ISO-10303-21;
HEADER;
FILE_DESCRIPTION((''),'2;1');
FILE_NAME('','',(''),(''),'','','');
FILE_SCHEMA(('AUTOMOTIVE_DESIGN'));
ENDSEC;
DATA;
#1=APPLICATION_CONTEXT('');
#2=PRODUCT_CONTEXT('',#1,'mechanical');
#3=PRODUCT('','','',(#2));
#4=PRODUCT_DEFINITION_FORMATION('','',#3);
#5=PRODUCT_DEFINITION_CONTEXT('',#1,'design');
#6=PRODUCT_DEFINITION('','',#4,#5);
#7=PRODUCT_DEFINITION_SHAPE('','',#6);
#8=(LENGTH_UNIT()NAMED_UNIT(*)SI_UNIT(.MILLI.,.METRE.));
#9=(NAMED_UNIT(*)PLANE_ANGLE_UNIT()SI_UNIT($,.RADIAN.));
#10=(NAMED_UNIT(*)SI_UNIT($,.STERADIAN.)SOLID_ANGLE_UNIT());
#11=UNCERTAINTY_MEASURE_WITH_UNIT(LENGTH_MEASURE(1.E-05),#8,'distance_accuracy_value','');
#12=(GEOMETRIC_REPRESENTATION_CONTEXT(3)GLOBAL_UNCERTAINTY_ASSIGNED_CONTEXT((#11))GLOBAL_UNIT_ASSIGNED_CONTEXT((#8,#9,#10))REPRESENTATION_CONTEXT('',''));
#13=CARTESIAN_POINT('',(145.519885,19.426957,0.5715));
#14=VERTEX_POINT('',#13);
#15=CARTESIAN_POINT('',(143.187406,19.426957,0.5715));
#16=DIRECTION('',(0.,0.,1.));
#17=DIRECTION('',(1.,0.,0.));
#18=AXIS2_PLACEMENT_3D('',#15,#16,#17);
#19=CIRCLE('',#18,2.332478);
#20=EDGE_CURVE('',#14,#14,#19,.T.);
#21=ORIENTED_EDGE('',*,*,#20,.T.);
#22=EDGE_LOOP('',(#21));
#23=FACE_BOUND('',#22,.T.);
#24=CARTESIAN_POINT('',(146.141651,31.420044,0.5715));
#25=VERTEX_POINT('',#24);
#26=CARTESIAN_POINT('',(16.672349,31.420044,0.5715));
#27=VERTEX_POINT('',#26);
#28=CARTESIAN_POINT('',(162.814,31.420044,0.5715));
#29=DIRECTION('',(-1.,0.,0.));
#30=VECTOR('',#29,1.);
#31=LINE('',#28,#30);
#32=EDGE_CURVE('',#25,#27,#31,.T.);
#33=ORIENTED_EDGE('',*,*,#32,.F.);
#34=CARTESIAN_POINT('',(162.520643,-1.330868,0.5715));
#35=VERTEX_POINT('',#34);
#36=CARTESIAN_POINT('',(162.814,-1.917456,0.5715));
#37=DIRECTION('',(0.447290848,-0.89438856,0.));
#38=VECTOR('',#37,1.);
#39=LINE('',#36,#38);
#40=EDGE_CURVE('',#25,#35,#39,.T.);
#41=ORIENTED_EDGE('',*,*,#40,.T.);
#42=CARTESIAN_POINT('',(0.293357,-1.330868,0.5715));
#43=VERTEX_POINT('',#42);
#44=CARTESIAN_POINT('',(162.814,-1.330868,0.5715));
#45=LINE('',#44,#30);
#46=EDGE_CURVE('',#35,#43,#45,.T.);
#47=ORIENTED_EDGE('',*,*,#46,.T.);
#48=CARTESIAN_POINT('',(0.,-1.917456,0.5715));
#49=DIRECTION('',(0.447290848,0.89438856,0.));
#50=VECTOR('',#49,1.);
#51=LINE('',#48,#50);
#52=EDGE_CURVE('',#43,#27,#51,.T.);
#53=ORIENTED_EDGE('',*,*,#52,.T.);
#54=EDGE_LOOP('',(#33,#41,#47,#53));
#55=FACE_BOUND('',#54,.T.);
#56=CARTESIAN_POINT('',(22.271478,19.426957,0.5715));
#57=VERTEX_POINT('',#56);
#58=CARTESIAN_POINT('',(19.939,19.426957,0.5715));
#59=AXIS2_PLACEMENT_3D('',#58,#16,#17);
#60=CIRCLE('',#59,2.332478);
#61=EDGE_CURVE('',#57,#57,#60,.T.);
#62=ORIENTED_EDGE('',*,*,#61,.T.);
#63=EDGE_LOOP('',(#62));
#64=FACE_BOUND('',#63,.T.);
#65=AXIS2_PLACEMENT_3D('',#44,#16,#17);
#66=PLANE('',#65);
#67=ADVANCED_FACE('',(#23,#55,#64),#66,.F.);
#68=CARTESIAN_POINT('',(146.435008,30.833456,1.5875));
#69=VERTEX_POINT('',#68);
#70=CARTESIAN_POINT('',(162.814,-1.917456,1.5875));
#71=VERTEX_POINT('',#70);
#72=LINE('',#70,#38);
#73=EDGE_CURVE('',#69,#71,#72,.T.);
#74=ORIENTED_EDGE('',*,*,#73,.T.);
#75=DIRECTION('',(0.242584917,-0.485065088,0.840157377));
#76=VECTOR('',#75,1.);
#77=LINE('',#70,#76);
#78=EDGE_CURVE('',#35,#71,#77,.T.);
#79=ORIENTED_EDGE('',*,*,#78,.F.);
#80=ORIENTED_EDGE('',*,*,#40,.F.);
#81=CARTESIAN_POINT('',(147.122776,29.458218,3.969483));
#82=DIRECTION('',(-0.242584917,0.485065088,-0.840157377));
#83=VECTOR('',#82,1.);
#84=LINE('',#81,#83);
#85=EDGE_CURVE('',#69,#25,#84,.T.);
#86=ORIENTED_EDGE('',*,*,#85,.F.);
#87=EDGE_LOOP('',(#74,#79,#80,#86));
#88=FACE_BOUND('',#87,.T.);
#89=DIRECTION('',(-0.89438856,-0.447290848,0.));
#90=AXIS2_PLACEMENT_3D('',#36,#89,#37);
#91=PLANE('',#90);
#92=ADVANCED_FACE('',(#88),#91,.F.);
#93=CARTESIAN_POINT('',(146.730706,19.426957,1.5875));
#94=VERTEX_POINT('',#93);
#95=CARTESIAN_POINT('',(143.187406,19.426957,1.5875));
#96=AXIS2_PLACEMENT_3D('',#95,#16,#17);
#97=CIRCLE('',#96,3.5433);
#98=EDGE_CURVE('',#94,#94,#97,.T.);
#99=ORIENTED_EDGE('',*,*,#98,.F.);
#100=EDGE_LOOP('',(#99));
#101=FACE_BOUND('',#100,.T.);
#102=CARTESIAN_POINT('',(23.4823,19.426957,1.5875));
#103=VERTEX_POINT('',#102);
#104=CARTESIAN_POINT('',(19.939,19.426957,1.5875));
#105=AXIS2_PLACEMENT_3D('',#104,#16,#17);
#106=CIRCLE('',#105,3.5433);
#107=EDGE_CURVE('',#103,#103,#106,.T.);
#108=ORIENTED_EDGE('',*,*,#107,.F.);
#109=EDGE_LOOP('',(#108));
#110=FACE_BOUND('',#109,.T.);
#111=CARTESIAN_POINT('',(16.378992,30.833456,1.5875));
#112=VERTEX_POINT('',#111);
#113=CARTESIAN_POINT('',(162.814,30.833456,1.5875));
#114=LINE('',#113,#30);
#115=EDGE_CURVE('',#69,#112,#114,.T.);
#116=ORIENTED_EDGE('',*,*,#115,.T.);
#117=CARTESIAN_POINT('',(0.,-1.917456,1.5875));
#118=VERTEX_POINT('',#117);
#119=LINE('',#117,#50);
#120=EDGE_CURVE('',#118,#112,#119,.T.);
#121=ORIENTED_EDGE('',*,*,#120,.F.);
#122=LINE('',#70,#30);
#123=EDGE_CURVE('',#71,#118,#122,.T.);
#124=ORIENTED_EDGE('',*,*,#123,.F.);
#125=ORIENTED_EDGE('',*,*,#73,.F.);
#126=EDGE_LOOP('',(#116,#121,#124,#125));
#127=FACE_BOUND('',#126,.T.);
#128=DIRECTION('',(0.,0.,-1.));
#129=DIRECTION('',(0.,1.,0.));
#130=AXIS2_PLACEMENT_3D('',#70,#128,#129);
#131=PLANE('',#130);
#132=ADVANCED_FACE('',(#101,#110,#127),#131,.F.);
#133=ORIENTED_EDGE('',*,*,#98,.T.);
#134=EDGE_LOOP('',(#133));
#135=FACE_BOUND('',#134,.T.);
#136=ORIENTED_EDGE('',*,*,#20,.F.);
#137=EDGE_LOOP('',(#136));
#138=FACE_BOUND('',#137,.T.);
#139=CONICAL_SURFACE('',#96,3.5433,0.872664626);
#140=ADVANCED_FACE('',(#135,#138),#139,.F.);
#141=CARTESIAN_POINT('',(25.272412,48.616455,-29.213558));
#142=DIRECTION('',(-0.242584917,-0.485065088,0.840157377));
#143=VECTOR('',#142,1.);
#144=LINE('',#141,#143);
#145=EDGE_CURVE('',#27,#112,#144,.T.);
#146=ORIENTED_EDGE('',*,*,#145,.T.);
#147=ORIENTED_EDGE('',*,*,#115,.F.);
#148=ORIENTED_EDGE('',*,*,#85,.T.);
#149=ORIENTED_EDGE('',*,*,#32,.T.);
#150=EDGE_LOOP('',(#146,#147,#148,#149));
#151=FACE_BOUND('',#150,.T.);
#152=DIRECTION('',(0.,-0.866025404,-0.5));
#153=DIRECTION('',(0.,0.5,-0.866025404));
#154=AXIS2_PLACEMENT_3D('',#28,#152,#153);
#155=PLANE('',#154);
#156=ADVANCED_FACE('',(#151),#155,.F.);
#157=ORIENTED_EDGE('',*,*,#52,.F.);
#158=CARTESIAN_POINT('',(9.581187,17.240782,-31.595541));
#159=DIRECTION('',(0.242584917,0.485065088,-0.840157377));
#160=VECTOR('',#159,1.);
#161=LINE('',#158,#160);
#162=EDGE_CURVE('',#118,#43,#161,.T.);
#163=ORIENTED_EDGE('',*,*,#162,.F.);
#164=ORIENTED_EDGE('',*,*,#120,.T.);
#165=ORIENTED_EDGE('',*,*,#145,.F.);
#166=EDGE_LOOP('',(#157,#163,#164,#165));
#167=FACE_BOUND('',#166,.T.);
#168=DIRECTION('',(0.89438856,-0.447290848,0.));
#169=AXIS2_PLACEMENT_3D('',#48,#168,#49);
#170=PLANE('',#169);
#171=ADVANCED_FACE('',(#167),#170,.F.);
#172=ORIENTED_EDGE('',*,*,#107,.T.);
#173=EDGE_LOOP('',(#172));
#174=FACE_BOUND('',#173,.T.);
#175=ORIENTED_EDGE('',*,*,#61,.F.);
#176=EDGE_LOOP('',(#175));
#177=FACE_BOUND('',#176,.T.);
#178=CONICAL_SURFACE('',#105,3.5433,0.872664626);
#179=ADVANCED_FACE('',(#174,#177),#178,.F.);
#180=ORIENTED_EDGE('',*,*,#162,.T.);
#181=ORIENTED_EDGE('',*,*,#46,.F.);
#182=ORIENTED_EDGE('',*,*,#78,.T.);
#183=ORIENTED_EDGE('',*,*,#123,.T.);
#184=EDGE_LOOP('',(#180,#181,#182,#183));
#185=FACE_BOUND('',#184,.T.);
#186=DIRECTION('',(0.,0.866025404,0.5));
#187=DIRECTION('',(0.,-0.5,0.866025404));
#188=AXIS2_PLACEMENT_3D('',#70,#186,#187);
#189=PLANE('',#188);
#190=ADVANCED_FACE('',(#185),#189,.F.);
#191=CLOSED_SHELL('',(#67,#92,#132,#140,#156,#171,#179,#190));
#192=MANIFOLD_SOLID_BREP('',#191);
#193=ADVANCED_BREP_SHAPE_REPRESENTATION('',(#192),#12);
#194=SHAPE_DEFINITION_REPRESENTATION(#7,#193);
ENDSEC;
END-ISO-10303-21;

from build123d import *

# Parameters (mm, degrees)
BOSS_EXTRUDE2_DEPTH                       = 162.814
CUT_EXTRUDE1_DEPTH                        = 166.821138692
CSK_FOR_6_FLAT_HEAD_MACHINE_SCREW_2_COUNT = 2
CSK_FOR_6_FLAT_HEAD_MACHINE_SCREW_2_PITCH = 123.248406325


with BuildPart() as part:
    # Sketch3 → Boss-Extrude2 (new body)
    with BuildSketch(Plane(origin=(0, 0, 0), x_dir=(0, 0, -1), z_dir=(1, 0, 0))):
        Polygon((-0.5715, 31.420044321), (-1.5875, 30.833456448), (-1.5875, -1.917455679), (-0.5715, -1.330867805), align=None)
    extrude(amount=BOSS_EXTRUDE2_DEPTH)

    # Sketch5 → Cut-Extrude1 (cut, through all)
    with BuildSketch(Plane.XY.offset(1.5875)):
        Polygon((0, -1.917455679), (16.672349491, 31.420044321), (0, 31.420044321), align=None)
        Polygon((162.814, -1.917455679), (146.141650509, 31.420044321), (162.814, 31.420044321), align=None)
    extrude(amount=-CUT_EXTRUDE1_DEPTH, mode=Mode.SUBTRACT)

    # Sketch7 → CSK for #6 Flat Head Machine Screw (100)1 (revolve, cut)
    with BuildSketch(Plane(origin=(19.939, 19.426957216, 1.5875), x_dir=(0, -1, 0), z_dir=(1, 0, 0))):
        Polygon((0, 0), (0, 1.016), (1.89865, 1.016), (1.89865, 1.380025208), (3.5433, 0), align=None)
    csk_for_6_flat_head_machine_screw_100 = revolve(axis=Axis((19.939, 19.426957216, 7.9375), (0, 0, -1)), mode=Mode.SUBTRACT)

    # CSK for _6 Flat Head Machine Screw _ 2: CSK for #6 Flat Head Machine Screw (100)1 ×2
    with Locations(*[(i * CSK_FOR_6_FLAT_HEAD_MACHINE_SCREW_2_PITCH, 0, 0) for i in range(1, CSK_FOR_6_FLAT_HEAD_MACHINE_SCREW_2_COUNT)]):
        add(csk_for_6_flat_head_machine_screw_100, mode=Mode.SUBTRACT)


solid = part.part
